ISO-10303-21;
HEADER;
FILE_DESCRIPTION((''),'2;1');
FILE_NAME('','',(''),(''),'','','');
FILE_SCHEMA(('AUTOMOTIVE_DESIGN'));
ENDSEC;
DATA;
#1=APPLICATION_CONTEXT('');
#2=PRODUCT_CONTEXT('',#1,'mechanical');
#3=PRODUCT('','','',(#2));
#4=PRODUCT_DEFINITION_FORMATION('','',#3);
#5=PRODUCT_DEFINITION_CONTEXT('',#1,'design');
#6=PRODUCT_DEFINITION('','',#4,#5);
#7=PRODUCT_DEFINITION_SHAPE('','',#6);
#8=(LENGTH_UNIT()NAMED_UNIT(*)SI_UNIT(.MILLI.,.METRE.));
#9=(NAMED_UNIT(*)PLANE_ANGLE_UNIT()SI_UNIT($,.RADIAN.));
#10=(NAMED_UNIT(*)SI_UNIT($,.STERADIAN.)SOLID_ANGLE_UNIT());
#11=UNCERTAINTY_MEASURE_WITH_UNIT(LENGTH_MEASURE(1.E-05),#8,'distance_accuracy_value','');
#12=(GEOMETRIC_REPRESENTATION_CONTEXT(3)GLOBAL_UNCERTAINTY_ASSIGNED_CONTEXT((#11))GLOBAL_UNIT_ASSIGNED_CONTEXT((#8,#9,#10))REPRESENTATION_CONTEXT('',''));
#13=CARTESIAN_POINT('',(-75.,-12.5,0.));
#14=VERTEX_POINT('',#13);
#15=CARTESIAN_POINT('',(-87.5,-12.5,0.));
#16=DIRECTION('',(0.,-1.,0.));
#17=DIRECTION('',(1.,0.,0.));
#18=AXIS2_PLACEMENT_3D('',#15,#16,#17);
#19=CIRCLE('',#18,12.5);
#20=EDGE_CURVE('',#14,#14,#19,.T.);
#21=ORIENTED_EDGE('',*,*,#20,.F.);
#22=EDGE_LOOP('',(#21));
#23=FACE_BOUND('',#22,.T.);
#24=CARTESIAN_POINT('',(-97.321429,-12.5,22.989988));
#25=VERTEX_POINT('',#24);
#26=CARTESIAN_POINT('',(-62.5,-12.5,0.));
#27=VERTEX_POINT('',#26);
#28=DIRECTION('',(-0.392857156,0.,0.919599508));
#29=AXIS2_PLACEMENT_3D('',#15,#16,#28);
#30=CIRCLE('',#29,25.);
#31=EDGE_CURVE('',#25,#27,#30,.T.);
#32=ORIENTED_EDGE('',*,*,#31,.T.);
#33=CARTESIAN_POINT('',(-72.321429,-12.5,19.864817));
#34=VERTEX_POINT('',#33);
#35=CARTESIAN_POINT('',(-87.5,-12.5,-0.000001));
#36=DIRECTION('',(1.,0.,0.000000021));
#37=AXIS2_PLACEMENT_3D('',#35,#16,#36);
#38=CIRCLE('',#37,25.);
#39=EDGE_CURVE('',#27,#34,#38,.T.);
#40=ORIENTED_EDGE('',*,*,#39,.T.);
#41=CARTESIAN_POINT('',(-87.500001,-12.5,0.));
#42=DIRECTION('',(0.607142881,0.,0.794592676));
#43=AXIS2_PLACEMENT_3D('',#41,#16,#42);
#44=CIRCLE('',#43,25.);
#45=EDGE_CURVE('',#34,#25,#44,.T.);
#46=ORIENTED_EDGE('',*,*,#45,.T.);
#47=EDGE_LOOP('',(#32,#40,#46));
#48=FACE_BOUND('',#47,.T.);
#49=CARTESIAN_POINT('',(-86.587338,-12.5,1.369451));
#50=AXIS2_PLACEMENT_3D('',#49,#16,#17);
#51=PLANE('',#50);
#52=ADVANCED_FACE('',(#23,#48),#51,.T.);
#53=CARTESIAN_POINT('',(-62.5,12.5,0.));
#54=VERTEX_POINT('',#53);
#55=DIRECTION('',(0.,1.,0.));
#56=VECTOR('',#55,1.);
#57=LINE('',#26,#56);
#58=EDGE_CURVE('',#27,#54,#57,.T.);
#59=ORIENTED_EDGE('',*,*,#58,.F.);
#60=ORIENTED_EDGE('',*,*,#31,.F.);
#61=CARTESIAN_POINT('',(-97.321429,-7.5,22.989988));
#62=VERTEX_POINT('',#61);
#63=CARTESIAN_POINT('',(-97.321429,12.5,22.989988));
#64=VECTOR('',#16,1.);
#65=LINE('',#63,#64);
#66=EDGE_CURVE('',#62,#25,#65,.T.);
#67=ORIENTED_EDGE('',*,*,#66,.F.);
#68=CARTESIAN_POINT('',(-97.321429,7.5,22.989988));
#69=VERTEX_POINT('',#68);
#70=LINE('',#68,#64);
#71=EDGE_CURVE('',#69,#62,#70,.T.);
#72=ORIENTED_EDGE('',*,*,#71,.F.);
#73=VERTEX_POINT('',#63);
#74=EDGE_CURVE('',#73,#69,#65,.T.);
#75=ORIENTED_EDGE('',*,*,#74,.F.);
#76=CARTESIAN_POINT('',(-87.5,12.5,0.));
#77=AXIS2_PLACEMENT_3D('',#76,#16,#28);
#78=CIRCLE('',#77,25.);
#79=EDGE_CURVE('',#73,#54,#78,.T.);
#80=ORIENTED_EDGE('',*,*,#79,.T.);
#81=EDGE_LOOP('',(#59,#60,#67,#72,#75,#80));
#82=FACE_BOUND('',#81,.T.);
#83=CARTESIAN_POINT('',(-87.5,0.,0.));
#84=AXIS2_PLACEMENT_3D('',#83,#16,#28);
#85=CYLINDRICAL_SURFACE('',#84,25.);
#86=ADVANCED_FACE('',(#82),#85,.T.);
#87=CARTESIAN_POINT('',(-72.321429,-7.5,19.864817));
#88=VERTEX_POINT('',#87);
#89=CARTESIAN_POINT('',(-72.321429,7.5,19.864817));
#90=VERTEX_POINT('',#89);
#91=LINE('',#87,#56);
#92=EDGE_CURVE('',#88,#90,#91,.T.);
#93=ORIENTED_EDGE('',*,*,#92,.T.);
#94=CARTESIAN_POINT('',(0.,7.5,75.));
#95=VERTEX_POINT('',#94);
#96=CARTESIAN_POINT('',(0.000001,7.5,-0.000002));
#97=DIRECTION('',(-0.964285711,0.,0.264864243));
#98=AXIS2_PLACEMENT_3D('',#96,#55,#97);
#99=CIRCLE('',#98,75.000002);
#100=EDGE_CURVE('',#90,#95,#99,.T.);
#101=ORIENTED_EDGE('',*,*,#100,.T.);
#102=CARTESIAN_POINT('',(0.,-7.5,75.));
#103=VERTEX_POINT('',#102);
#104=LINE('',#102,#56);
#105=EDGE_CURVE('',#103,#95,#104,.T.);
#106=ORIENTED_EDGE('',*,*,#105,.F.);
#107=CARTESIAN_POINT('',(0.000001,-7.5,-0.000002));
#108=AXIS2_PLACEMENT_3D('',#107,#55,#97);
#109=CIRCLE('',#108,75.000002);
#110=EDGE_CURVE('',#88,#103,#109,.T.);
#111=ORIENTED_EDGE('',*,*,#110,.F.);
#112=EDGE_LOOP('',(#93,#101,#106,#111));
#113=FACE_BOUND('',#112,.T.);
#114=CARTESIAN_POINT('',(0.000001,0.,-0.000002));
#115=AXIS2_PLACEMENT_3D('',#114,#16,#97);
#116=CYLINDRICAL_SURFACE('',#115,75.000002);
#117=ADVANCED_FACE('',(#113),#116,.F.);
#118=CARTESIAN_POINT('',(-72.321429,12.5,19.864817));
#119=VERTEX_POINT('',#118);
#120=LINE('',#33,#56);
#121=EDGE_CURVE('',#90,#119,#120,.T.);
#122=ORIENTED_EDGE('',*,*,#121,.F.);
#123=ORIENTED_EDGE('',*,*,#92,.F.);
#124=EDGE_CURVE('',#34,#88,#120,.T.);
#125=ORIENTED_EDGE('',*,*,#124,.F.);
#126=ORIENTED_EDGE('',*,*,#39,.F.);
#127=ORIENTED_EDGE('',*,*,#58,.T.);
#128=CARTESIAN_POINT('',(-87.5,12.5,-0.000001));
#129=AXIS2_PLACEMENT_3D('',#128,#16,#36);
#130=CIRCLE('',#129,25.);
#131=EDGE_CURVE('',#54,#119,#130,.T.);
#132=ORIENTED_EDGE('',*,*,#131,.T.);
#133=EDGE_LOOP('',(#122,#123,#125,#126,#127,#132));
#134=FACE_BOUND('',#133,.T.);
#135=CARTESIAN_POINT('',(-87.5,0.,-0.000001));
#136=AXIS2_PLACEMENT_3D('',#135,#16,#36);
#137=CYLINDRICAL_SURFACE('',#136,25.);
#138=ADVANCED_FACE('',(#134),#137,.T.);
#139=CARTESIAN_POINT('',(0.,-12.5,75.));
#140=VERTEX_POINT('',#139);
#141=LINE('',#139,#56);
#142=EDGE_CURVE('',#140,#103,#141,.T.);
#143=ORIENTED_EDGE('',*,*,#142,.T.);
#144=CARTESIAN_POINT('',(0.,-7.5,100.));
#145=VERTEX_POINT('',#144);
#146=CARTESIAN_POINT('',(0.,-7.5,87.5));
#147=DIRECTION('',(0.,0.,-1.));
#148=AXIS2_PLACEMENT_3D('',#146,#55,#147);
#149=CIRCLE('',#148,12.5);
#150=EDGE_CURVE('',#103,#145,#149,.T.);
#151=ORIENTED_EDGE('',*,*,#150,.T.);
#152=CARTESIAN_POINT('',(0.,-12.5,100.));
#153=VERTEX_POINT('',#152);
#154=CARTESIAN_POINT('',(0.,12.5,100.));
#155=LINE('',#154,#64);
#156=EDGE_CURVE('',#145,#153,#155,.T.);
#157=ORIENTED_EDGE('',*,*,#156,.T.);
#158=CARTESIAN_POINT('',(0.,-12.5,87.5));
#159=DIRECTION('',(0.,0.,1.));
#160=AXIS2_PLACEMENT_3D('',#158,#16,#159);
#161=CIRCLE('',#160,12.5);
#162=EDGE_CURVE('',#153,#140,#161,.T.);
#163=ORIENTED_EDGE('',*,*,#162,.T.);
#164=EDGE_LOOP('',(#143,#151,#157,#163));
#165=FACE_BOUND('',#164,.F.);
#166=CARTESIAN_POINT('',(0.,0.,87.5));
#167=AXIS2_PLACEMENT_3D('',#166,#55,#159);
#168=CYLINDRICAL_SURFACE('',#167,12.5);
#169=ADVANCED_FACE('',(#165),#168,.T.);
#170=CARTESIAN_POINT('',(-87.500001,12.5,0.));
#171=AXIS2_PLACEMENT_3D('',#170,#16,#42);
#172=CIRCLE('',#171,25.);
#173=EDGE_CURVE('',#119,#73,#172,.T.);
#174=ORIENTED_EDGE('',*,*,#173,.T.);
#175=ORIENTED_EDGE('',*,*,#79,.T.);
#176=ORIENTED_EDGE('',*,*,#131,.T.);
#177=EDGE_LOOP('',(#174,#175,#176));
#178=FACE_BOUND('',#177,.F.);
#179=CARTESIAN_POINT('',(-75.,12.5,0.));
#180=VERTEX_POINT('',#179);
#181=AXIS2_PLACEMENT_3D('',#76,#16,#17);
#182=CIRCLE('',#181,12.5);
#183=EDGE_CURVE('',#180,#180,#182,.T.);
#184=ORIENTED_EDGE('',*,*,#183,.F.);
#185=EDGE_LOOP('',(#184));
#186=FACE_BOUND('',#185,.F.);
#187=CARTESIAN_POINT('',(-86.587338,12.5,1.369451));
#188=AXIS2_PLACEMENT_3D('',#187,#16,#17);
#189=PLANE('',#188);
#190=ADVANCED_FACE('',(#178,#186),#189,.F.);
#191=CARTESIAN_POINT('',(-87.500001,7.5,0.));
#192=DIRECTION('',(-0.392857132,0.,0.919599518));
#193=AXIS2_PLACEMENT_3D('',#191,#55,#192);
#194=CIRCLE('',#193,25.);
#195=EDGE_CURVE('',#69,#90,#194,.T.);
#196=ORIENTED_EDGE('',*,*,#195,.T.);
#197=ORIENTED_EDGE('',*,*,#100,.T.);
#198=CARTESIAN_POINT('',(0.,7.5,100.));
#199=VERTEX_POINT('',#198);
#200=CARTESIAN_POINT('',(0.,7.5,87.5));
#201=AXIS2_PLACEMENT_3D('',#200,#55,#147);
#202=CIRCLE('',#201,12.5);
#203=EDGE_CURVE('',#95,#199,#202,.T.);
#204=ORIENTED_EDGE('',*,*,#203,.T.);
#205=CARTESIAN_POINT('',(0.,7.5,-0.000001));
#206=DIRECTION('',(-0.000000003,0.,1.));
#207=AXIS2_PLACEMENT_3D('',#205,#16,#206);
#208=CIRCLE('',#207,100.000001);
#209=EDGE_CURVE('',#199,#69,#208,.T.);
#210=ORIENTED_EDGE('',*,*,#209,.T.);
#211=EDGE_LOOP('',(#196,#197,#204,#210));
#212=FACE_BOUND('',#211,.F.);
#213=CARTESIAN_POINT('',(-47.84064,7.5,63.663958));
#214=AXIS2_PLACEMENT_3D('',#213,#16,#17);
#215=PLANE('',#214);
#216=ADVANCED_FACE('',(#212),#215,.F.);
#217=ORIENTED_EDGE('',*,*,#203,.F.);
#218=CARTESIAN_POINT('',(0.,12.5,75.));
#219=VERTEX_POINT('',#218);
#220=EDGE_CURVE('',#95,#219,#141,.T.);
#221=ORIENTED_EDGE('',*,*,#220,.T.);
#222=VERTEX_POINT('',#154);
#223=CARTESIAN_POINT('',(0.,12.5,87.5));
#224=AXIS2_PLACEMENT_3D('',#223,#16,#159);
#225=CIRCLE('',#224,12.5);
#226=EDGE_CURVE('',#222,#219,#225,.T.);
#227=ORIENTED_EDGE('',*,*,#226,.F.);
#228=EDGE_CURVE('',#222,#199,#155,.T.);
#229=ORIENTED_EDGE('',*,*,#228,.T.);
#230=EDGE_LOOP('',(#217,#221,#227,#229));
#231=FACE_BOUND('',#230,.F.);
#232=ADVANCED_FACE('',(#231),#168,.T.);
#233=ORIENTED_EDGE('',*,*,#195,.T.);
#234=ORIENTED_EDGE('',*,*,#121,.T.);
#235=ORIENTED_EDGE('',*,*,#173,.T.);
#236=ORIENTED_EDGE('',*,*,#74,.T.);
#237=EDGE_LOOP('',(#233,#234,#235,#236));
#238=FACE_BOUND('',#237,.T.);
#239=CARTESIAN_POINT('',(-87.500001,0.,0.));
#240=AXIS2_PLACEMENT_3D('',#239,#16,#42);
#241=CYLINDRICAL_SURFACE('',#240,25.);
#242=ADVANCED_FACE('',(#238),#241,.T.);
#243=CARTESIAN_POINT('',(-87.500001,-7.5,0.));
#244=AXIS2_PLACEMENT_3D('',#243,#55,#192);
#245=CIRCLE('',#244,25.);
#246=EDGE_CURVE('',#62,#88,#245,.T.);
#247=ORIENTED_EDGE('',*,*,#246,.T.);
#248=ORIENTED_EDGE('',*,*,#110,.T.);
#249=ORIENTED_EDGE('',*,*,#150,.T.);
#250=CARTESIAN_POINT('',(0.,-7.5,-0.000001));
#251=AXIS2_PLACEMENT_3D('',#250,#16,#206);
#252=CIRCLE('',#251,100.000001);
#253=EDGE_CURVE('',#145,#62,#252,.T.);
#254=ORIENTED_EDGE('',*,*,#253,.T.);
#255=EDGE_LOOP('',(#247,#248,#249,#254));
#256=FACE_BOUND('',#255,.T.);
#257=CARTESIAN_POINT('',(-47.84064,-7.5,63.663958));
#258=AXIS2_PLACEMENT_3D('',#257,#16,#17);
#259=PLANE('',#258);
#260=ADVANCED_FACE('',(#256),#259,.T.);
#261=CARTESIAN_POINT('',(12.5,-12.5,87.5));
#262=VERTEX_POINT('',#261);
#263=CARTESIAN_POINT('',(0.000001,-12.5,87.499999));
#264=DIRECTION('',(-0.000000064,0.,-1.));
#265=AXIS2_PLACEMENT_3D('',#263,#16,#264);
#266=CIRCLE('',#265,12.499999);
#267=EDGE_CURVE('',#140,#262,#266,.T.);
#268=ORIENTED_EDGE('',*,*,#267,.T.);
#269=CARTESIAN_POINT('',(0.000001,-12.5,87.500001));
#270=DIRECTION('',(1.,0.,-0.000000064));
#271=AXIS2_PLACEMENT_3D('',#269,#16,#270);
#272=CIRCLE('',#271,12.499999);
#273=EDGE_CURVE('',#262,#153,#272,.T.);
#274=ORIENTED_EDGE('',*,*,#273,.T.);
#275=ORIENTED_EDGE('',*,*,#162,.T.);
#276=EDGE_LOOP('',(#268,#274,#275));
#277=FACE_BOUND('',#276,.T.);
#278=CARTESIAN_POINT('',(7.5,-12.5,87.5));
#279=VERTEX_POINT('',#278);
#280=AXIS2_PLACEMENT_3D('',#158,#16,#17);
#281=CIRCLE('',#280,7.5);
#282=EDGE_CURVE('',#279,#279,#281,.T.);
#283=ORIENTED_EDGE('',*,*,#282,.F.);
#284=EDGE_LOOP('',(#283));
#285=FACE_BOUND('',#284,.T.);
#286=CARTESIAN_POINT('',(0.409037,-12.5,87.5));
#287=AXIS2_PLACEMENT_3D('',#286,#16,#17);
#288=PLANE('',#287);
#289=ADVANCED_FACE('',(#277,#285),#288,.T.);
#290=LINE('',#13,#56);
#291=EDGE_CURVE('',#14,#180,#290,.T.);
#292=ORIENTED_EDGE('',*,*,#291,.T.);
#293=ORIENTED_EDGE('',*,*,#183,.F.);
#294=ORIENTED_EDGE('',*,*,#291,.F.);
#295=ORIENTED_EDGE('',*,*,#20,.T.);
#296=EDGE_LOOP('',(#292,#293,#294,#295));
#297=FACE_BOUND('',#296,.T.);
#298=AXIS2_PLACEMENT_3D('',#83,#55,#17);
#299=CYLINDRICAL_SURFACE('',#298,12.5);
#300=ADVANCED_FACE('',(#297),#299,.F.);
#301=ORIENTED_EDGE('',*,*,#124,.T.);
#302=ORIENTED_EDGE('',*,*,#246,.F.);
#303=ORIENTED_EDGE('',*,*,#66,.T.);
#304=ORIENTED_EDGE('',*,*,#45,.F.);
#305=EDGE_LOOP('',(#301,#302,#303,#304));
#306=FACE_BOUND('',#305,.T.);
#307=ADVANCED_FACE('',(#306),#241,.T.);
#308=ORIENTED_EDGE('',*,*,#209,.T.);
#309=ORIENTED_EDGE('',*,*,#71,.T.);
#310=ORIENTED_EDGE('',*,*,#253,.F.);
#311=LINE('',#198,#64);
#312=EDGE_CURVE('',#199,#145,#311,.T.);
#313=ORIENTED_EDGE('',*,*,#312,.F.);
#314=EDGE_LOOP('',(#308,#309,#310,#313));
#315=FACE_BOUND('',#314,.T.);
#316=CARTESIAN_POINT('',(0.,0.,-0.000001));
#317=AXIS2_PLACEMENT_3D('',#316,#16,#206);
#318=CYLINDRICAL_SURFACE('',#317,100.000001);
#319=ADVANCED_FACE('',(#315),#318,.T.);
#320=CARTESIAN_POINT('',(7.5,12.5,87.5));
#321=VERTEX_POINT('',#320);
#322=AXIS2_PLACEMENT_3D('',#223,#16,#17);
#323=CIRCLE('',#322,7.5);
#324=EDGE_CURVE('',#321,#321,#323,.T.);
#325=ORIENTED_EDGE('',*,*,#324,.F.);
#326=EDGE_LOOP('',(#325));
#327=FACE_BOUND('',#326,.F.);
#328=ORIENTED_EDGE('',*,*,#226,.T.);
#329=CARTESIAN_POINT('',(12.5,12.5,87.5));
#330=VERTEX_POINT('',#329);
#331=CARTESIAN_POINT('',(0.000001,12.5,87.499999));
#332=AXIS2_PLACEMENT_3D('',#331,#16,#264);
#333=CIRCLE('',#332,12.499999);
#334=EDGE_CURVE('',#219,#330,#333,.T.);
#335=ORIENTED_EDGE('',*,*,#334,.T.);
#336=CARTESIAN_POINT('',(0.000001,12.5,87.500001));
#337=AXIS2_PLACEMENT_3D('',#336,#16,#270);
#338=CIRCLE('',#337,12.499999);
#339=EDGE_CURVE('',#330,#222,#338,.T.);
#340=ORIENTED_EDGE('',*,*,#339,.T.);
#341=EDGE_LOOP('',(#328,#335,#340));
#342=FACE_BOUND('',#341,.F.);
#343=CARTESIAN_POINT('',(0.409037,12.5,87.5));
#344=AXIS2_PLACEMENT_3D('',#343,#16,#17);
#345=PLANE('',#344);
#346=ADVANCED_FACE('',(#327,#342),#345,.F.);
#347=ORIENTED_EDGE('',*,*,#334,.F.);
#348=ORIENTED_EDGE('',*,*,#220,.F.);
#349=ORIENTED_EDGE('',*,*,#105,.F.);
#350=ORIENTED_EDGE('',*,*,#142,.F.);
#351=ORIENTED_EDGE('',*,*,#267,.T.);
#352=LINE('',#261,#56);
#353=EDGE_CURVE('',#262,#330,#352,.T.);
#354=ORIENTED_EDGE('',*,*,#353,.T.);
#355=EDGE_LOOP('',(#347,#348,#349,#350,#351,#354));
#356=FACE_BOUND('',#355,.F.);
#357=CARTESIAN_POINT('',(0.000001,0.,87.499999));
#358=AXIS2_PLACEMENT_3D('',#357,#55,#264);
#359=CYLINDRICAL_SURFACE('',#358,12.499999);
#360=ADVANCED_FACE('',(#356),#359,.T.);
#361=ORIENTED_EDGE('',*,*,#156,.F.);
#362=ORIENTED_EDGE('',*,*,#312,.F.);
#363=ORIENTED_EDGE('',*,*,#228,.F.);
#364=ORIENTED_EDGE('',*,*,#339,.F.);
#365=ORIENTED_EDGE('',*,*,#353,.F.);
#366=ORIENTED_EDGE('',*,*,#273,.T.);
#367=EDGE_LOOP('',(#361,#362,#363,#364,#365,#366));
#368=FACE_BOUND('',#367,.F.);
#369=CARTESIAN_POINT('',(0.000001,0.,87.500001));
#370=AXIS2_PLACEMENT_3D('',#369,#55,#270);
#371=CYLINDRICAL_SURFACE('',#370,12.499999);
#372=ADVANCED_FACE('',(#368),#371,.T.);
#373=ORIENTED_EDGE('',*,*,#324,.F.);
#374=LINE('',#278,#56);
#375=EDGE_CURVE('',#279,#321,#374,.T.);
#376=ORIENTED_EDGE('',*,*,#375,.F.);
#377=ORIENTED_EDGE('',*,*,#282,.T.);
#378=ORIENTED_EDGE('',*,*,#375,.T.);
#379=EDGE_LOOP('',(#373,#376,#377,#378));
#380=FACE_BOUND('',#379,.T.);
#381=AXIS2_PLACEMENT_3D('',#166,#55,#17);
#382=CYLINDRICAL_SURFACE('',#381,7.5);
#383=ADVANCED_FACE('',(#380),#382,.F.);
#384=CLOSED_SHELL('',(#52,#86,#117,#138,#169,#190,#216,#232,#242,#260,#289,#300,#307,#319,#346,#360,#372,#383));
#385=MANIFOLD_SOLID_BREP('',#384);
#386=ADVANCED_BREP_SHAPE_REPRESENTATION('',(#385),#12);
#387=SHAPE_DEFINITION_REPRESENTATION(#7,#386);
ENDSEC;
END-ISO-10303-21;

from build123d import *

# Parameters (mm, degrees)
F0_R     = 7.5
F0_R_2   = 12.5
F1_DEPTH = 12.5
F2_DEPTH = 7.5


with BuildPart() as f1:
    # F0 (on Front) → F1 (new body, symmetric)
    with BuildSketch(Plane.XZ):
        with BuildLine():
            ThreePointArc((12.5, 87.5), (8.838835, 96.338835), (0, 100))
            ThreePointArc((0, 100), (-12.5, 87.5), (0, 75))
            ThreePointArc((0, 75), (8.838835, 78.661165), (12.5, 87.5))
        make_face()
        with Locations((0, 87.5)):
            Circle(F0_R, mode=Mode.SUBTRACT)
        with BuildLine():
            ThreePointArc((-72.321429, 19.864817), (-84.398965, 24.806926), (-97.321429, 22.989988))
            ThreePointArc((-97.321429, 22.989988), (-101.274329, -20.863074), (-62.5, 0))
            ThreePointArc((-62.5, 0), (-65.089464, 11.080066), (-72.321429, 19.864817))
        make_face()
        with Locations((-87.5, 0)):
            Circle(F0_R_2, mode=Mode.SUBTRACT)
    extrude(amount=F1_DEPTH, both=True)

    # F0 (on Front) → F2 (join, symmetric)
    with BuildSketch(Plane.XZ):
        with BuildLine():
            ThreePointArc((0, 75), (-12.5, 87.5), (0, 100))
            ThreePointArc((0, 100), (-62.052402, 78.418744), (-97.321429, 22.989988))
            ThreePointArc((-97.321429, 22.989988), (-84.398965, 24.806926), (-72.321429, 19.864817))
            ThreePointArc((-72.321429, 19.864817), (-45.470533, 59.6442), (0, 75))
        make_face()
    extrude(amount=F2_DEPTH, both=True)


solid = f1.part
